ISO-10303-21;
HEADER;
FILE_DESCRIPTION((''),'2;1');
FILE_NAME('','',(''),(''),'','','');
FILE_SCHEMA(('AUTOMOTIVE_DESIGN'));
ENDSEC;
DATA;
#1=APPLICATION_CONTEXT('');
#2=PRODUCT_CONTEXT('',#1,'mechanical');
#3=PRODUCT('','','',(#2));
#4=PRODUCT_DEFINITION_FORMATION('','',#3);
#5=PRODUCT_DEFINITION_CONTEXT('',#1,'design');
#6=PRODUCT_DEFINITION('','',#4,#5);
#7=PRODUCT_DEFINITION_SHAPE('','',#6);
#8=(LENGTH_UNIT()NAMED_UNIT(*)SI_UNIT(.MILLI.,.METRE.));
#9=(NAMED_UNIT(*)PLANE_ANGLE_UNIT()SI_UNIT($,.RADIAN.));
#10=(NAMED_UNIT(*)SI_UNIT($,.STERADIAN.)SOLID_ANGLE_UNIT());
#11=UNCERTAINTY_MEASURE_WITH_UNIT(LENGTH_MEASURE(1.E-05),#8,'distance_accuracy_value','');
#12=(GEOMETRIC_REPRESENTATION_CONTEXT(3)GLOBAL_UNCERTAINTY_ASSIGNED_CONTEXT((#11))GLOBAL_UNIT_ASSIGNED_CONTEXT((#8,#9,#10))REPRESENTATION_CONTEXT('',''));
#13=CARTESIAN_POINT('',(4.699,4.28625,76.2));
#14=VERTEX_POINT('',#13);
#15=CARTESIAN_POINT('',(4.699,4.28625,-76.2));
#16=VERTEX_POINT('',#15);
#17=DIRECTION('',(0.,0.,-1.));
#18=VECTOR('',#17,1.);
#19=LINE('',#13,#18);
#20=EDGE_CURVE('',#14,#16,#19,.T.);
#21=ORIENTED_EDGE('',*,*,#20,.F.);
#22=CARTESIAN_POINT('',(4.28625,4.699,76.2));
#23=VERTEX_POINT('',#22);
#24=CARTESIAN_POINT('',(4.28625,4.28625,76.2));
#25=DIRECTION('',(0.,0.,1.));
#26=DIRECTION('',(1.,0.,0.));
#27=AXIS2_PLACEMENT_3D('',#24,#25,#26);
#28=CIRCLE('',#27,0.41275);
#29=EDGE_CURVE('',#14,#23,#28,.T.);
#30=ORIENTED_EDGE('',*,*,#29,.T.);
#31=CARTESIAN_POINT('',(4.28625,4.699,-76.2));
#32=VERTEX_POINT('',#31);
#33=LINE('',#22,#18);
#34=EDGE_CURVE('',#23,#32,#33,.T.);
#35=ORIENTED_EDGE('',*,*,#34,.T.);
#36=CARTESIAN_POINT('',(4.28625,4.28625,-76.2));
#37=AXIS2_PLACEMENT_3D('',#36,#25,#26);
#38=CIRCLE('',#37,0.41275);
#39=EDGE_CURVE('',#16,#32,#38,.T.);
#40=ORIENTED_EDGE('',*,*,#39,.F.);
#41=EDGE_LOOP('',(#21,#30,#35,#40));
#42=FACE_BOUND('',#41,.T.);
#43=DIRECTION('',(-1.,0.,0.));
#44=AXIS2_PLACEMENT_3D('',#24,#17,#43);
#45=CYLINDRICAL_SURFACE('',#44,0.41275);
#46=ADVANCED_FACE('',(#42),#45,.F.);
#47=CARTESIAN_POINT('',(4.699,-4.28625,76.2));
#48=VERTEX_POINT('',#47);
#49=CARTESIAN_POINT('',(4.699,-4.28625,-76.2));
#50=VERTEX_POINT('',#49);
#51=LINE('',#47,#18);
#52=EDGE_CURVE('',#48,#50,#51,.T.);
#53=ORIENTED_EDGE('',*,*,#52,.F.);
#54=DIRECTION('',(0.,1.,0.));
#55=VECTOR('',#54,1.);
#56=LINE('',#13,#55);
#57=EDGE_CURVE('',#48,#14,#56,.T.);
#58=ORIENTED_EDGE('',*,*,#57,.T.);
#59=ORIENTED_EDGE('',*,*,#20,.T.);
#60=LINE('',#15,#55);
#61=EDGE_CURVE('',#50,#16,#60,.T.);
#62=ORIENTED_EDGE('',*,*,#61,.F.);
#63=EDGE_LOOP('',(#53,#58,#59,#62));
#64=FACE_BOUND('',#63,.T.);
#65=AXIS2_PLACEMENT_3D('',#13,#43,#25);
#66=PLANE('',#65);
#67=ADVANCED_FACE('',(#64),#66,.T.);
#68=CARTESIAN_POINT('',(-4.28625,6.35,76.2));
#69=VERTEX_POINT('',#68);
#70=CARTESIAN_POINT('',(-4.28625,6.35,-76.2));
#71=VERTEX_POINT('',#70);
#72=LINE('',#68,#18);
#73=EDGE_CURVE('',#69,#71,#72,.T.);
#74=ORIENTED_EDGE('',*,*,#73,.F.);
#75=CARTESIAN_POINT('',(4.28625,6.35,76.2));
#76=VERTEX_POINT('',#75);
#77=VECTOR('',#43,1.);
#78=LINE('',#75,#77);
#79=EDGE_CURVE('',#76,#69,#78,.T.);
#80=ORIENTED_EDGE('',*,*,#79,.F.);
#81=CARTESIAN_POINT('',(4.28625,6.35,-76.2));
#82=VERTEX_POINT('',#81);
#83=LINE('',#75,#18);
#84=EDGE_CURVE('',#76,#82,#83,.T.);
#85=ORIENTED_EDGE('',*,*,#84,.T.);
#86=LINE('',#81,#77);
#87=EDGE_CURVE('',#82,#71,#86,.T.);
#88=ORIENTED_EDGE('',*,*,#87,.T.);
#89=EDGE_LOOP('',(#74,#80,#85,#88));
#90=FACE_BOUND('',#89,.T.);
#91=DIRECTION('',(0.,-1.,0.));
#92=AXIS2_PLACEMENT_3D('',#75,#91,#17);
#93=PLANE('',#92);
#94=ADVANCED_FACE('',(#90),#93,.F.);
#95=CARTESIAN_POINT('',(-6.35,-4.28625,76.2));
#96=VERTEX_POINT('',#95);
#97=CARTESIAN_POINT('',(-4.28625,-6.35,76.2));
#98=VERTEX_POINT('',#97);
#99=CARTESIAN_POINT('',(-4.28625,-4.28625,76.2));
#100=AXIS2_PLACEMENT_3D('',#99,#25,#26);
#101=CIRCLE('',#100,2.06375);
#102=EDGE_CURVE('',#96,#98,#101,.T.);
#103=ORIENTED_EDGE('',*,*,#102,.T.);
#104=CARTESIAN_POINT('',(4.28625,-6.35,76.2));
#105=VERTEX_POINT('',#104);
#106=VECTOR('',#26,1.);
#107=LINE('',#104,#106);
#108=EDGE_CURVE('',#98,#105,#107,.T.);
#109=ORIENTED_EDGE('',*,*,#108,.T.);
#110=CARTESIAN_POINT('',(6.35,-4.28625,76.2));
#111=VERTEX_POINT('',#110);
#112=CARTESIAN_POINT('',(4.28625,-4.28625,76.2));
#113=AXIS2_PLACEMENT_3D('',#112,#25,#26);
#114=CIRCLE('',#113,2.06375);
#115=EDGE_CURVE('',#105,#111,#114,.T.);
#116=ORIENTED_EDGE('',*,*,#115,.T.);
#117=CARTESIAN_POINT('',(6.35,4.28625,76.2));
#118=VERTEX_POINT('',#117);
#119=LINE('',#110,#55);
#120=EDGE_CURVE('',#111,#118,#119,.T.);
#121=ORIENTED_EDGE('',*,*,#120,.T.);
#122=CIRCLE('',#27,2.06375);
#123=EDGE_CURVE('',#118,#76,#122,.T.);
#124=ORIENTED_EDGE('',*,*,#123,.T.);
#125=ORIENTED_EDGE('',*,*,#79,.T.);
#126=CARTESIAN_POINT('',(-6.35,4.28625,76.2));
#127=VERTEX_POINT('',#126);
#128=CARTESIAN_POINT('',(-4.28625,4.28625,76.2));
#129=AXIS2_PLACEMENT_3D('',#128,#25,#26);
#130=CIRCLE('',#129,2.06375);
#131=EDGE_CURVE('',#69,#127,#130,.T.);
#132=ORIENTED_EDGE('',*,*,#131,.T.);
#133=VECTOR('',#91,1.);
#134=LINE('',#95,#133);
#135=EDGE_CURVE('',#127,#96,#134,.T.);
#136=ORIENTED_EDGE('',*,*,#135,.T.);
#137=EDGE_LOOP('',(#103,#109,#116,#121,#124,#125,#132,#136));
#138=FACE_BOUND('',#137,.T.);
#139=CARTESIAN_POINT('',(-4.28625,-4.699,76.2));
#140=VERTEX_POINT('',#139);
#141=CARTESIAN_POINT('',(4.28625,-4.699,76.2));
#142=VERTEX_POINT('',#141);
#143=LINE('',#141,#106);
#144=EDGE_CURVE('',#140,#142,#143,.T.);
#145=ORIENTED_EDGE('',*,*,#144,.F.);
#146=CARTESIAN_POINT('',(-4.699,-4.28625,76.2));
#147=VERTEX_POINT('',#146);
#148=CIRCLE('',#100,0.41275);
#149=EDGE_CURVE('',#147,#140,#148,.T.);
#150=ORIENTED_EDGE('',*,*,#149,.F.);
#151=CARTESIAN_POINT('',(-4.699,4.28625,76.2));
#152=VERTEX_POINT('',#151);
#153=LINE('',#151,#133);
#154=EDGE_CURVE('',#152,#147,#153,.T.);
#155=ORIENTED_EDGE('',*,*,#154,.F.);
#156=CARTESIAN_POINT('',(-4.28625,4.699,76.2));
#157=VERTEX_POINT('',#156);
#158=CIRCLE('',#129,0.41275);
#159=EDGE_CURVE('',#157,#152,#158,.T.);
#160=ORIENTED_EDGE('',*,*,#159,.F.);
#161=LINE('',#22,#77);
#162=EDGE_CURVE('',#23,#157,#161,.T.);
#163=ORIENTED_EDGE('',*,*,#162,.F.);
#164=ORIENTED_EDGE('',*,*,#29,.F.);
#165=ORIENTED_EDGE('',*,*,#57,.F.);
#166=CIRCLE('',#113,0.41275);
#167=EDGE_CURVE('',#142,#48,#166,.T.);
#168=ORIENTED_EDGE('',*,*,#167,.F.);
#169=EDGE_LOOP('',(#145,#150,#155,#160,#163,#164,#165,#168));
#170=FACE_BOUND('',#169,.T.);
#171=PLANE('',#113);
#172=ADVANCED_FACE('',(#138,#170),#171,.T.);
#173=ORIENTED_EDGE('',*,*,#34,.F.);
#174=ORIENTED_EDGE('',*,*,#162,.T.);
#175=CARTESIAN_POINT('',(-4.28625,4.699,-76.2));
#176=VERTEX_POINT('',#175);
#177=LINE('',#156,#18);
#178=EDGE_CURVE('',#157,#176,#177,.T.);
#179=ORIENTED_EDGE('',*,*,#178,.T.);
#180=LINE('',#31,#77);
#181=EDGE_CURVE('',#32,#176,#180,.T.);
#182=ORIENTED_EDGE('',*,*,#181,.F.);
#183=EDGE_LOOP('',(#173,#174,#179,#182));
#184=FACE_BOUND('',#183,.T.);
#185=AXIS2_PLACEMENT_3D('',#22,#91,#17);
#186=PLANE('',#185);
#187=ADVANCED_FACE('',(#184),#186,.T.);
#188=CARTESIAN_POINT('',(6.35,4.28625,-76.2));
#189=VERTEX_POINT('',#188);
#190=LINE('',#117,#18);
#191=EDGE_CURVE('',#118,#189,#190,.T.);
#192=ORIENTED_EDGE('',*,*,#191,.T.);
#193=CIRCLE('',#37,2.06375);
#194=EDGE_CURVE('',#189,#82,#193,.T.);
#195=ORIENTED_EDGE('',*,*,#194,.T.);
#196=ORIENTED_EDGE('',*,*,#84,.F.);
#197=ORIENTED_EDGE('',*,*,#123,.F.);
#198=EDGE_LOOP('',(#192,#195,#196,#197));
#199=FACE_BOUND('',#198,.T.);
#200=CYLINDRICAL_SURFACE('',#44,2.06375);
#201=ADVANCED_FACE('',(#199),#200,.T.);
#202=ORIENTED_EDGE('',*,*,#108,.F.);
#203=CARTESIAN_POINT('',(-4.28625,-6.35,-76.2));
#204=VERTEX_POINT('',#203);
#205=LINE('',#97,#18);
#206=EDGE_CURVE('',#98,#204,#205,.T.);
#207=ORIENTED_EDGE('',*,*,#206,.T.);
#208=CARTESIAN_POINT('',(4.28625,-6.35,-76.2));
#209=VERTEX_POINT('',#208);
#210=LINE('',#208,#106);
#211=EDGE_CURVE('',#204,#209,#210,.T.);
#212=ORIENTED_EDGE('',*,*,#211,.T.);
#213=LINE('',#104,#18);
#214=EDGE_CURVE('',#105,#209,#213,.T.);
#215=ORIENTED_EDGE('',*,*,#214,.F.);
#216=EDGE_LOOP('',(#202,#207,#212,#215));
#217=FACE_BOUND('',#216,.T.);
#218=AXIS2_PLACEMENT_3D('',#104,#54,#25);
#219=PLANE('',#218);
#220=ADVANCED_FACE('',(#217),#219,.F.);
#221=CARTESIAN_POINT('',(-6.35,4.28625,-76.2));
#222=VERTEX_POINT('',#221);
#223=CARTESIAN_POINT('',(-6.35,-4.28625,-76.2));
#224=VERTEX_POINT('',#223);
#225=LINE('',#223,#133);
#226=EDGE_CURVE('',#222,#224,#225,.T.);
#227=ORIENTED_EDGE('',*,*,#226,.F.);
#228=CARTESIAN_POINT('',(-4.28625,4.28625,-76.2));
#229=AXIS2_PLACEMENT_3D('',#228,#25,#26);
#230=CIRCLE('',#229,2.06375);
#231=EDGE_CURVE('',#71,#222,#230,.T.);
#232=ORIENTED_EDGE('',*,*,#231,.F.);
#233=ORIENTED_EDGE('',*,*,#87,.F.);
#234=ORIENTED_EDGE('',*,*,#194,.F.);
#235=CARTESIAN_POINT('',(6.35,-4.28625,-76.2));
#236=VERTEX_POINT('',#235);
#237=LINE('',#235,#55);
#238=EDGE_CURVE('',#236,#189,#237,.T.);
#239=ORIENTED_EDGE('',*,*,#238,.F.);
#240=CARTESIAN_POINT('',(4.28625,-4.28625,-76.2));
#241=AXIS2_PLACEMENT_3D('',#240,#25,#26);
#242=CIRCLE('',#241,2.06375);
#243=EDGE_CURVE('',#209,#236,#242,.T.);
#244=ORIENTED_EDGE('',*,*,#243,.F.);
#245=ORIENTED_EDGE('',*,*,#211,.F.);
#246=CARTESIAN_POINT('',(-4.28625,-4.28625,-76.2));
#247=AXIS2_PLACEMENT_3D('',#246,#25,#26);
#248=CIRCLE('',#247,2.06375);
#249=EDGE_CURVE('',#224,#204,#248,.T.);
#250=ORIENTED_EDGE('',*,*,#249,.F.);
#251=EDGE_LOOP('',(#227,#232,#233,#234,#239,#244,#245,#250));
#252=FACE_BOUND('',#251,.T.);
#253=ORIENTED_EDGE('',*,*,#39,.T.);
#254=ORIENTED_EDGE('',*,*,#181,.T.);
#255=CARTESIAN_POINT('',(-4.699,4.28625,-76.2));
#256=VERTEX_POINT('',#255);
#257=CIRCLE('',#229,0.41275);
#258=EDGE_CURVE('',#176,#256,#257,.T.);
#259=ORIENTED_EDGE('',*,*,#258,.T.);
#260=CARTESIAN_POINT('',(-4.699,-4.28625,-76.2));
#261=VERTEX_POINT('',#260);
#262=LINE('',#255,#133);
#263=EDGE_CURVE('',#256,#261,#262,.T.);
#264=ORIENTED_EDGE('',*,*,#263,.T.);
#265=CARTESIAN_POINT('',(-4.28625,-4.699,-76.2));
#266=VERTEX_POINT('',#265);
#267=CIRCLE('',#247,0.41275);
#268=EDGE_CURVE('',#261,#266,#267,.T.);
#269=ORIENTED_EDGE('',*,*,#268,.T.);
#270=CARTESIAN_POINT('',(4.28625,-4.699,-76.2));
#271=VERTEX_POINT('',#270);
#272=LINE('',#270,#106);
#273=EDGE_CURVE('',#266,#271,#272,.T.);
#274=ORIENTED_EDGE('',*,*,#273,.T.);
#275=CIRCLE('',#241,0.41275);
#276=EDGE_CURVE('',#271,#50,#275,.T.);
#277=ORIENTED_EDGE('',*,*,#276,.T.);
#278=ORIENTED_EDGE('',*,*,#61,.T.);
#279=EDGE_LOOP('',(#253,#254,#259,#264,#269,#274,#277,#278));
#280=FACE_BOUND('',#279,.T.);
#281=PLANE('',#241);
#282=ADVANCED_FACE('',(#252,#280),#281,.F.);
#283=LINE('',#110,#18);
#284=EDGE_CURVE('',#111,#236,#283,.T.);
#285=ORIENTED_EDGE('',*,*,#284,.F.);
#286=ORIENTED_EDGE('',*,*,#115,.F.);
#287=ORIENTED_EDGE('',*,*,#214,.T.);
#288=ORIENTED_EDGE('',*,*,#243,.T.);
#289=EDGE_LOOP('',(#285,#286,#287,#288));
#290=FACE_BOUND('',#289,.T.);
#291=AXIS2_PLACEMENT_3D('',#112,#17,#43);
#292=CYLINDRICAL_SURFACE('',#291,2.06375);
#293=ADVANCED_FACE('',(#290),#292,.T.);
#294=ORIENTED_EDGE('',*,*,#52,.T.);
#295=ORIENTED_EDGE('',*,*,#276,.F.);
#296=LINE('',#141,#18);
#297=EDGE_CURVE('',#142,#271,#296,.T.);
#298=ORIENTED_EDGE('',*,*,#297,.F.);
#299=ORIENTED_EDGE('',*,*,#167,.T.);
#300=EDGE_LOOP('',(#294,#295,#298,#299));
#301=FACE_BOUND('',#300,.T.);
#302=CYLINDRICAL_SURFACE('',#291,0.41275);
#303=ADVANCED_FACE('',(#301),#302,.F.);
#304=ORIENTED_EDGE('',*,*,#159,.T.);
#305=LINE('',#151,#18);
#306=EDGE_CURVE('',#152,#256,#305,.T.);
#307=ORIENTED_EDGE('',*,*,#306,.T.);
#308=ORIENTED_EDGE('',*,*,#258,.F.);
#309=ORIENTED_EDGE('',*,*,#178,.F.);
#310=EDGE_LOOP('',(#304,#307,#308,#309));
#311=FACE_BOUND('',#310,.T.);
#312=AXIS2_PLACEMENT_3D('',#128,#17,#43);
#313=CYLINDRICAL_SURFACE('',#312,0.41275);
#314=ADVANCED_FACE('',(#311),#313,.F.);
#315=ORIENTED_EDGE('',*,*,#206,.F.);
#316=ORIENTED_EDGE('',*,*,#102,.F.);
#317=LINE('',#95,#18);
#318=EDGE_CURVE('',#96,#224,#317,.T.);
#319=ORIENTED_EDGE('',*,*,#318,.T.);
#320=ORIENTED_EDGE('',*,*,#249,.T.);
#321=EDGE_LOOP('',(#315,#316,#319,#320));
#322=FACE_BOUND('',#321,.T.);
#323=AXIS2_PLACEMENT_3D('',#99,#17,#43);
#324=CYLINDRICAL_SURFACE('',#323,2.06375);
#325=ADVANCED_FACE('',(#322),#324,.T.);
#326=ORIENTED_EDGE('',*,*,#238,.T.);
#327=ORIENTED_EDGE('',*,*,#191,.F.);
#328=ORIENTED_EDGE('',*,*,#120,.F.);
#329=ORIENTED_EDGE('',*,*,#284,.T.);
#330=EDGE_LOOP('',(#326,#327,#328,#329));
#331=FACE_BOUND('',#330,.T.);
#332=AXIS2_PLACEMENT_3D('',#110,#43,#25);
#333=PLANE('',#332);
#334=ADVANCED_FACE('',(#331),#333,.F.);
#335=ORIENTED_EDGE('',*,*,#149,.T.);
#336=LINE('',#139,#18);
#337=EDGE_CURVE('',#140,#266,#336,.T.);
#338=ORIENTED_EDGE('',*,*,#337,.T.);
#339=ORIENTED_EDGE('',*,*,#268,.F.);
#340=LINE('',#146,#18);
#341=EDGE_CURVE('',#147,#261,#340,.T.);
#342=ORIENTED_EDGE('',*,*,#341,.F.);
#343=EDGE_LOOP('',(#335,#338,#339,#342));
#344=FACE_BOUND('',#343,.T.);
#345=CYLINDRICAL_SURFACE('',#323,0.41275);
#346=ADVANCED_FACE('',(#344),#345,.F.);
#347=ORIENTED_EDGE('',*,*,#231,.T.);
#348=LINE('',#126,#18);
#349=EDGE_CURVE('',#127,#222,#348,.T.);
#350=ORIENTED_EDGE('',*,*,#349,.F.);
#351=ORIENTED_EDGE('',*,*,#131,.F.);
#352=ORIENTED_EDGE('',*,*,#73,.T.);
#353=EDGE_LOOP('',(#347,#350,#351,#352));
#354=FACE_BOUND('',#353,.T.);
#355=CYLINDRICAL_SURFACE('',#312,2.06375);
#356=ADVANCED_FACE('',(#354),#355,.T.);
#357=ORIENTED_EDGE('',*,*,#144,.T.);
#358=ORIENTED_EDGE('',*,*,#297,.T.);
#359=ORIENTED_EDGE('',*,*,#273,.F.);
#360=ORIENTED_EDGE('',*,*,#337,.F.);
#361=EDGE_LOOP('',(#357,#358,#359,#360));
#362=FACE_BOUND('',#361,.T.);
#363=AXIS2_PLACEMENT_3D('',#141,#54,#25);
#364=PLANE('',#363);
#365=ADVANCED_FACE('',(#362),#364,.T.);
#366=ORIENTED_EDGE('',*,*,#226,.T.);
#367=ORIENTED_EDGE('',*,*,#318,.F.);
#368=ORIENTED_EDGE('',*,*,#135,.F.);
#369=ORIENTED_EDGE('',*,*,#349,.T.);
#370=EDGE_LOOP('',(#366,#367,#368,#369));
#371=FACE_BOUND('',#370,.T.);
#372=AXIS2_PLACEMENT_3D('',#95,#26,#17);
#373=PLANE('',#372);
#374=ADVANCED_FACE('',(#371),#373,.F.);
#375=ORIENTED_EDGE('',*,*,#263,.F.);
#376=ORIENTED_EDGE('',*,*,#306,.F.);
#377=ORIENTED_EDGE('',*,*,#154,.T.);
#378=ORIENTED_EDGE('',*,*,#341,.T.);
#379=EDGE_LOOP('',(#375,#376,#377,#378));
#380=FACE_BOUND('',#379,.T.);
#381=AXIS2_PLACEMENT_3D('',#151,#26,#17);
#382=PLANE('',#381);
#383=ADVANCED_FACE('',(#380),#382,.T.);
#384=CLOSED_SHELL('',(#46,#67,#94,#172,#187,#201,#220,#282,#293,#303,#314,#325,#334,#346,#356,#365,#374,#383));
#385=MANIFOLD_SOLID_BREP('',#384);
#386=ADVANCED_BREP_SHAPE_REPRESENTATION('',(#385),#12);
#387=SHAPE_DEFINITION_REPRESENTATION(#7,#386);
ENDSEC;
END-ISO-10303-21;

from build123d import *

# Parameters (mm, degrees)
BOSS_EXTRUDE1_DEPTH = 76.2


with BuildPart() as part:
    # Sketch4 → Boss-Extrude1 (new body, symmetric)
    with BuildSketch(Plane.XY):
        with BuildLine():
            Line((6.35, -4.28625), (6.35, 4.28625))
            ThreePointArc((6.35, 4.28625), (5.74554162, 5.74554162), (4.28625, 6.35))
            Line((4.28625, 6.35), (-4.28625, 6.35))
            ThreePointArc((-4.28625, 6.35), (-5.74554162, 5.74554162), (-6.35, 4.28625))
            Line((-6.35, 4.28625), (-6.35, -4.28625))
            ThreePointArc((-6.35, -4.28625), (-5.74554162, -5.74554162), (-4.28625, -6.35))
            Line((-4.28625, -6.35), (4.28625, -6.35))
            ThreePointArc((4.28625, -6.35), (5.74554162, -5.74554162), (6.35, -4.28625))
        make_face()
        with BuildLine():
            Line((4.699, 4.28625), (4.699, -4.28625))
            ThreePointArc((4.699, -4.28625), (4.578108324, -4.578108324), (4.28625, -4.699))
            Line((4.28625, -4.699), (-4.28625, -4.699))
            ThreePointArc((-4.28625, -4.699), (-4.578108324, -4.578108324), (-4.699, -4.28625))
            Line((-4.699, -4.28625), (-4.699, 4.28625))
            ThreePointArc((-4.699, 4.28625), (-4.578108324, 4.578108324), (-4.28625, 4.699))
            Line((-4.28625, 4.699), (4.28625, 4.699))
            ThreePointArc((4.28625, 4.699), (4.578108324, 4.578108324), (4.699, 4.28625))
        make_face(mode=Mode.SUBTRACT)
    extrude(amount=BOSS_EXTRUDE1_DEPTH, both=True)


solid = part.part
